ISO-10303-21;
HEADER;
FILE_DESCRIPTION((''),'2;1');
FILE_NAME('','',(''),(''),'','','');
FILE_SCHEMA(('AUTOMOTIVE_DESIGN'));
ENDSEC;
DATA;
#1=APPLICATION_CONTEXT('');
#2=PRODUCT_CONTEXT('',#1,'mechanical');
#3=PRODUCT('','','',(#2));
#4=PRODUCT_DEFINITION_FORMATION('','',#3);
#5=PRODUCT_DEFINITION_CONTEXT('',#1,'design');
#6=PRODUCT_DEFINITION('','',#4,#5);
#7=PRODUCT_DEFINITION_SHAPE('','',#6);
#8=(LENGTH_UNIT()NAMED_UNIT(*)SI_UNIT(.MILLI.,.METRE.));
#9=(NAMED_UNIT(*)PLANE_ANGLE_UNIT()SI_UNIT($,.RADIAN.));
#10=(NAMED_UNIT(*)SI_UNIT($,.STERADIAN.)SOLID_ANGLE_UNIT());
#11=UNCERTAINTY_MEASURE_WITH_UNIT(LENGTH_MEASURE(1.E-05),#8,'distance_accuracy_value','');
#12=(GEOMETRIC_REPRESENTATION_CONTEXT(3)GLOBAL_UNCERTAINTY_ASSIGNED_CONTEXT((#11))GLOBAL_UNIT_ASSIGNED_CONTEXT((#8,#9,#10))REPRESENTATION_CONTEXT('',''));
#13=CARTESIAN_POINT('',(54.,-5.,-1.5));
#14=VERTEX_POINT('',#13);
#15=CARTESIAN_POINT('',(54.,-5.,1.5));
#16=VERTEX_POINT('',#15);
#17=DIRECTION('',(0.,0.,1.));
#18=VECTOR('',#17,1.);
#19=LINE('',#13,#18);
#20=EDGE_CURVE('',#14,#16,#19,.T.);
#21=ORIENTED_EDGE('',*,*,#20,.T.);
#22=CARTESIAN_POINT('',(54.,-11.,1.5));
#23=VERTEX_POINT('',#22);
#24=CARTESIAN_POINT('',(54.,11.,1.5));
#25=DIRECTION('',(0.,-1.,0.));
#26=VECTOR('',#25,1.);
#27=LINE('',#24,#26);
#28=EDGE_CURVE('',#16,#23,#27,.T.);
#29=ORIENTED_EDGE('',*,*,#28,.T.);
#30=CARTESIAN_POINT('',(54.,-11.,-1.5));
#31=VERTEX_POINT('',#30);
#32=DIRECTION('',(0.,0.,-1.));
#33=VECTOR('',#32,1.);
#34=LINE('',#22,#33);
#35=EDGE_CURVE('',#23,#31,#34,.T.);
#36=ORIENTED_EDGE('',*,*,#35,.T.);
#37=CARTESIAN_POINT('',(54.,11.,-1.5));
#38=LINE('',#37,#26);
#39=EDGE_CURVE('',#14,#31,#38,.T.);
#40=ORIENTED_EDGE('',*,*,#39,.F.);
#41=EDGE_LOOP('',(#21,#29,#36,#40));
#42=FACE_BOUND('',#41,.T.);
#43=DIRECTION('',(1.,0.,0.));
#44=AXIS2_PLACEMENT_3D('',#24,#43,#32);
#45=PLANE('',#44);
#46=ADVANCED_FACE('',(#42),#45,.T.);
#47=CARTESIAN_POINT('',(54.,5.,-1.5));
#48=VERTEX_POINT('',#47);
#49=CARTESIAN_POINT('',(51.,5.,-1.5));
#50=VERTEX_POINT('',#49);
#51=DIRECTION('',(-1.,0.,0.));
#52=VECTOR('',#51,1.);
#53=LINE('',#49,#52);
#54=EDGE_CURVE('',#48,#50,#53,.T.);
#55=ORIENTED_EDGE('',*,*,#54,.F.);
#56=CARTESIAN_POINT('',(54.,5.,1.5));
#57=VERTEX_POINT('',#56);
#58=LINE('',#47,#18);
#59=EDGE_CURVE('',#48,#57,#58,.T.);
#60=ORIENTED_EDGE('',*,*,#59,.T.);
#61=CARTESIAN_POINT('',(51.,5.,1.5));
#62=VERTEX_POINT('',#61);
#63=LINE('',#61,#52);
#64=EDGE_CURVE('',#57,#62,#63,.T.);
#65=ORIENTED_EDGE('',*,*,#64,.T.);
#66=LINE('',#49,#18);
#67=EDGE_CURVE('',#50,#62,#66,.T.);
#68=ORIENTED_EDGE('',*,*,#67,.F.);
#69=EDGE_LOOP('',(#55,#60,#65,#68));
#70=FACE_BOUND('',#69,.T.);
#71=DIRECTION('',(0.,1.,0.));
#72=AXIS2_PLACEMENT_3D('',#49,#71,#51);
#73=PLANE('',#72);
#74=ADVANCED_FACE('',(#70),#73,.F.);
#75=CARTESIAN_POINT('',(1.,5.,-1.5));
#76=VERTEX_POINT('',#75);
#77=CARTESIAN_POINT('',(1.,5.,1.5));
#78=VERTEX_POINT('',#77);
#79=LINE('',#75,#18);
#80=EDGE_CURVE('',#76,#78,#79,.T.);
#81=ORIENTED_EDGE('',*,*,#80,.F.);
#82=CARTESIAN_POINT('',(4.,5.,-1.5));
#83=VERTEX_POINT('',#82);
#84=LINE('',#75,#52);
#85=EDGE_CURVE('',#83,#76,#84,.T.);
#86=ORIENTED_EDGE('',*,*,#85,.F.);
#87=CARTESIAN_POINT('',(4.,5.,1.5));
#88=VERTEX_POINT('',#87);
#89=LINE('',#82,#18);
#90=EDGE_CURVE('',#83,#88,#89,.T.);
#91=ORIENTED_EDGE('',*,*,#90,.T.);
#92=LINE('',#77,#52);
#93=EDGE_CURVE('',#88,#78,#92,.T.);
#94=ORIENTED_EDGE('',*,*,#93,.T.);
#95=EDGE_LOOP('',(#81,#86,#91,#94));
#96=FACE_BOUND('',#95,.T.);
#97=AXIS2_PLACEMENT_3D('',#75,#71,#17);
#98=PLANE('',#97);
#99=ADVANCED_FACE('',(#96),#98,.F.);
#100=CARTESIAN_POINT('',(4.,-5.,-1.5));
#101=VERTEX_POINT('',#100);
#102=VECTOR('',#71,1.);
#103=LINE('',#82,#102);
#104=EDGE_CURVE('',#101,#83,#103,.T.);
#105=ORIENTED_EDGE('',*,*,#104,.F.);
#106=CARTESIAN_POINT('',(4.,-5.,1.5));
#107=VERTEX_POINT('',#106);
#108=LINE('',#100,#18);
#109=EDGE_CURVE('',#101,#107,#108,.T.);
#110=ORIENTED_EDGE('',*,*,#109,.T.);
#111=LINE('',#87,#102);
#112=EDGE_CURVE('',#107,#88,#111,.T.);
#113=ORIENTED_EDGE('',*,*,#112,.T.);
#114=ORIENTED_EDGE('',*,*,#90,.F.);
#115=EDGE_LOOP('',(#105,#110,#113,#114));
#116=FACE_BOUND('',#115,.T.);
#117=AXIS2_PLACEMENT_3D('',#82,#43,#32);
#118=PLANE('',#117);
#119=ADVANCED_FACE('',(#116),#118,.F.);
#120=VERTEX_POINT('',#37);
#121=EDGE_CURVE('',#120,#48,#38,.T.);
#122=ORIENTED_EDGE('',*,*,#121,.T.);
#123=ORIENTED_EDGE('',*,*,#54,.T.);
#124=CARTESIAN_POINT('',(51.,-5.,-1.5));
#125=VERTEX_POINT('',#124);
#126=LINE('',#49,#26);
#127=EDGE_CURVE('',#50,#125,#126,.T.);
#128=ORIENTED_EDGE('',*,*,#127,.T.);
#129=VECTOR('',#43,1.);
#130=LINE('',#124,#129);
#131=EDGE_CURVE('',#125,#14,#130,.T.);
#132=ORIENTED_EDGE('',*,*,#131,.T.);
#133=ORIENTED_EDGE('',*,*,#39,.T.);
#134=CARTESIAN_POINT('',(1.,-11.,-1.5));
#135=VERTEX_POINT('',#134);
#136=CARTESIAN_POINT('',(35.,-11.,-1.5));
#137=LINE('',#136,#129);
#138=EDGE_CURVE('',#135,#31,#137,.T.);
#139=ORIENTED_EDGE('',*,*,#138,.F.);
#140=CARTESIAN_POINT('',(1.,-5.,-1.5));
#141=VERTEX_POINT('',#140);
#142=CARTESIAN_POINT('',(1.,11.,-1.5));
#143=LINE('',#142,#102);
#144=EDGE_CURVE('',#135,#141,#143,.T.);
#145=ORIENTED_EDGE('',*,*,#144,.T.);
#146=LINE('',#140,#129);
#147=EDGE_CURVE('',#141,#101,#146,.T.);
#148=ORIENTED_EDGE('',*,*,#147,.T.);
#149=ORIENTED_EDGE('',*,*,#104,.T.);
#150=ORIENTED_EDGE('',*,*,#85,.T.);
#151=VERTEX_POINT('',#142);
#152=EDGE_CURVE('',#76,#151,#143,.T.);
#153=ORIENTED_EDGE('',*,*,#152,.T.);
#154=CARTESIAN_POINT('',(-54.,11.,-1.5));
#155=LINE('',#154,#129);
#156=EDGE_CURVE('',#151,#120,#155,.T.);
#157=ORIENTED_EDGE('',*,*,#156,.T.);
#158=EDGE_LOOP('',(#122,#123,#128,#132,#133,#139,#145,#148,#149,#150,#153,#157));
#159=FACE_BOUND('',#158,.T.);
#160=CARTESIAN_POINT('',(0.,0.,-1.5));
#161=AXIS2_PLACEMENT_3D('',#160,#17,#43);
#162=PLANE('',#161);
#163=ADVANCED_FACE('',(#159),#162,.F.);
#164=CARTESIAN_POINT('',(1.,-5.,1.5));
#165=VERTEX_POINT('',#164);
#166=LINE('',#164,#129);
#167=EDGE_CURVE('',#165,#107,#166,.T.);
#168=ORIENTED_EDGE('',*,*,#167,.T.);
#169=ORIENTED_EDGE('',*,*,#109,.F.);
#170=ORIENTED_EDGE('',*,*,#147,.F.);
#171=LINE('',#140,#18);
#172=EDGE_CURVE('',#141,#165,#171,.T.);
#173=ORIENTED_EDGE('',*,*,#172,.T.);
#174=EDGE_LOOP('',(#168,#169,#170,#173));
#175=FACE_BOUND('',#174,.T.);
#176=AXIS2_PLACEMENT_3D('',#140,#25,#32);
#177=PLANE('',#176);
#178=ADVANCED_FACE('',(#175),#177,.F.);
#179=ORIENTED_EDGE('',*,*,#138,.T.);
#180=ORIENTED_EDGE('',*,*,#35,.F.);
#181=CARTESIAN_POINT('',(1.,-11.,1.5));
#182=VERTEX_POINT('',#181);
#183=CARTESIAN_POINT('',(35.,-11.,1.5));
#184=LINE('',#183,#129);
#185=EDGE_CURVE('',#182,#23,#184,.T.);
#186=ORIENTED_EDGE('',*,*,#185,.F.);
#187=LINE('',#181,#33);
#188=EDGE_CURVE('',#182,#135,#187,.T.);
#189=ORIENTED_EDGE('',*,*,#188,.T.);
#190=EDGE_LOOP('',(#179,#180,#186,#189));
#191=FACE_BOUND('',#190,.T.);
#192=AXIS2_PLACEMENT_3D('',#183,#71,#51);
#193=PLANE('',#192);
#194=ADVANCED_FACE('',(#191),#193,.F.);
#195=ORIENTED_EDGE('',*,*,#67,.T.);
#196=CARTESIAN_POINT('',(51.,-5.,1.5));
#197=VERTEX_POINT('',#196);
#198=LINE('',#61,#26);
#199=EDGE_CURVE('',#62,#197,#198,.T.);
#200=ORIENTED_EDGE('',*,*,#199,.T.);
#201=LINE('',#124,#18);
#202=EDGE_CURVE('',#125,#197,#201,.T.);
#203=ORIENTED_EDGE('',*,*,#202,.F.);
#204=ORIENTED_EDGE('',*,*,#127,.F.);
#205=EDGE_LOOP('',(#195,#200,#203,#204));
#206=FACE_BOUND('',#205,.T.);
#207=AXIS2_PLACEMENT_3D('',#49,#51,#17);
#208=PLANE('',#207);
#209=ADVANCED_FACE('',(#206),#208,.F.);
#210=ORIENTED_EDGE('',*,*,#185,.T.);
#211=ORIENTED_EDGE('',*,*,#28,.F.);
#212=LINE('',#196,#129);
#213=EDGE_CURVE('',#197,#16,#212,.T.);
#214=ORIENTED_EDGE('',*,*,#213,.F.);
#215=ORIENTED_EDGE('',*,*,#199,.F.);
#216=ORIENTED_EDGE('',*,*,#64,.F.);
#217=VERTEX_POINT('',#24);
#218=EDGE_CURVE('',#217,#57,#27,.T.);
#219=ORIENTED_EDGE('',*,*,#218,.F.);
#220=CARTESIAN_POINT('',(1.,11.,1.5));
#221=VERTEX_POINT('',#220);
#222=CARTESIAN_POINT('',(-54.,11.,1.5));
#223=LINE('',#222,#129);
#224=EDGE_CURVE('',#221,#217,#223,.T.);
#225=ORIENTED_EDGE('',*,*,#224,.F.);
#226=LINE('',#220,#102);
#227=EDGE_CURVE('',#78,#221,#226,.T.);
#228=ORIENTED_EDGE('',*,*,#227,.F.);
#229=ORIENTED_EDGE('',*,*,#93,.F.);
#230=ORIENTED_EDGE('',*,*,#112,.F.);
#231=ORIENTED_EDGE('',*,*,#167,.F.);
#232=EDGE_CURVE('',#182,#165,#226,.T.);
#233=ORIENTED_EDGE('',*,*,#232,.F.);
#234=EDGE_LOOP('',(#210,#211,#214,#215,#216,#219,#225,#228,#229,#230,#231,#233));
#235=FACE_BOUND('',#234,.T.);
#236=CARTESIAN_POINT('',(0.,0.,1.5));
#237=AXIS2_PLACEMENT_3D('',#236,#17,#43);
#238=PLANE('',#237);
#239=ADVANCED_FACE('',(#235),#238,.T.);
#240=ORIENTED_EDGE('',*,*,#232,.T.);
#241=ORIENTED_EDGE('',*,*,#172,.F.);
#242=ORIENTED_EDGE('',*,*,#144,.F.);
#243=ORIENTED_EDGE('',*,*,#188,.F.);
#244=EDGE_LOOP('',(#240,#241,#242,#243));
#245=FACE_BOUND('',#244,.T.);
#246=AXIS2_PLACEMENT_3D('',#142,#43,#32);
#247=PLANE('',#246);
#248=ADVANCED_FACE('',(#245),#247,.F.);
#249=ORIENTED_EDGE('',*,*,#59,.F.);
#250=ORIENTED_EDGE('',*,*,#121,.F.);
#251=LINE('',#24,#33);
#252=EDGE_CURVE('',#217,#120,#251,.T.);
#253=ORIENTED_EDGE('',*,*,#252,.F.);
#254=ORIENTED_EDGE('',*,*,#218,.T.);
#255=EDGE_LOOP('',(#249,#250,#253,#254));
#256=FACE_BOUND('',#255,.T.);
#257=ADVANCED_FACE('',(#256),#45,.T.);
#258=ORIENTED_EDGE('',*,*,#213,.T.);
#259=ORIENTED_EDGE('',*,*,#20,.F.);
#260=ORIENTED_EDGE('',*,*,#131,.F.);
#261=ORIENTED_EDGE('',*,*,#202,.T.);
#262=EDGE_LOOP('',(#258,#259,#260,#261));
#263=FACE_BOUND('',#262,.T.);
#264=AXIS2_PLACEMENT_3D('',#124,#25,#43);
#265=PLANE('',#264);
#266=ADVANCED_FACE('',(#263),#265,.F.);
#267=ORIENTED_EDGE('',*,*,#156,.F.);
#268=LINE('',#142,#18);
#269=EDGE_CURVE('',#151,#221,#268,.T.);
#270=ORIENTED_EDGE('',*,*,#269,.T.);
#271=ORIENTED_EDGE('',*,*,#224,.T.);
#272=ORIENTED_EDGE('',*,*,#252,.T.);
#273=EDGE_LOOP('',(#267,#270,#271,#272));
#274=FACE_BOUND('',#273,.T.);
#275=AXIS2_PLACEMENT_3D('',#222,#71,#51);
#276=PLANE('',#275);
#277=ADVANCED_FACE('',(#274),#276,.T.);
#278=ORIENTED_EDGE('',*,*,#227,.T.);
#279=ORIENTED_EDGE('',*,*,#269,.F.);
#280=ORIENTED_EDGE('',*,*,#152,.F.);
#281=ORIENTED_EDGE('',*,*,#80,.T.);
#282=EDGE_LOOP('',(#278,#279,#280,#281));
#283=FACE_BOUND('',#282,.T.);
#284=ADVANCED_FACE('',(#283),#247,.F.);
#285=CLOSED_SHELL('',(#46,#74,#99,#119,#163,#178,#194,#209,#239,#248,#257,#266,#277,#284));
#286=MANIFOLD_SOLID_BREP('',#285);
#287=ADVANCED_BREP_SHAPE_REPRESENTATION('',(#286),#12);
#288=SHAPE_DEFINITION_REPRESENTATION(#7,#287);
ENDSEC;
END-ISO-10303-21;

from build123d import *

# Parameters (mm, degrees)
BOSS_EXTRUDE1_DEPTH = 1.5
SKETCH2_W           = 3
SKETCH2_H           = 10
CUT_EXTRUDE1_DEPTH  = 56.865910894
SKETCH3_W           = 55
SKETCH3_H           = 25
CUT_EXTRUDE2_DEPTH  = 56.865910894
SKETCH6_W           = 15
SKETCH6_H           = 3
CUT_EXTRUDE5_DEPTH  = 56.865910894


with BuildPart() as part:
    # Sketch1 → Boss-Extrude1 (new, symmetric)
    with BuildSketch(Plane.XY):
        Polygon((-20, -11), (20, -11), (20, -14), (35, -14), (35, -11), (54, -11), (54, 11), (-54, 11), (-54, -11), (-35, -11), (-35, -14), (-20, -14), align=None)
    extrude(amount=BOSS_EXTRUDE1_DEPTH, both=True)

    # Sketch2 → Cut-Extrude1 (cut, through all)
    with BuildSketch(Plane.XY.offset(1.5)):
        with Locations((2.5, 0)):
            Rectangle(SKETCH2_W, SKETCH2_H)
        with Locations((52.5, 0)):
            Rectangle(SKETCH2_W, SKETCH2_H)
    extrude(amount=-CUT_EXTRUDE1_DEPTH, mode=Mode.SUBTRACT)

    # Sketch3 → Cut-Extrude2 (cut, through all)
    with BuildSketch(Plane.XY.offset(1.5)):
        with Locations((-26.5, -1.5)):
            Rectangle(SKETCH3_W, SKETCH3_H)
    extrude(amount=-CUT_EXTRUDE2_DEPTH, mode=Mode.SUBTRACT)

    # Sketch6 → Cut-Extrude5 (cut, through all)
    with BuildSketch(Plane.XY.offset(1.5)):
        with Locations((27.5, -12.5)):
            Rectangle(SKETCH6_W, SKETCH6_H)
    extrude(amount=-CUT_EXTRUDE5_DEPTH, mode=Mode.SUBTRACT)


solid = part.part
